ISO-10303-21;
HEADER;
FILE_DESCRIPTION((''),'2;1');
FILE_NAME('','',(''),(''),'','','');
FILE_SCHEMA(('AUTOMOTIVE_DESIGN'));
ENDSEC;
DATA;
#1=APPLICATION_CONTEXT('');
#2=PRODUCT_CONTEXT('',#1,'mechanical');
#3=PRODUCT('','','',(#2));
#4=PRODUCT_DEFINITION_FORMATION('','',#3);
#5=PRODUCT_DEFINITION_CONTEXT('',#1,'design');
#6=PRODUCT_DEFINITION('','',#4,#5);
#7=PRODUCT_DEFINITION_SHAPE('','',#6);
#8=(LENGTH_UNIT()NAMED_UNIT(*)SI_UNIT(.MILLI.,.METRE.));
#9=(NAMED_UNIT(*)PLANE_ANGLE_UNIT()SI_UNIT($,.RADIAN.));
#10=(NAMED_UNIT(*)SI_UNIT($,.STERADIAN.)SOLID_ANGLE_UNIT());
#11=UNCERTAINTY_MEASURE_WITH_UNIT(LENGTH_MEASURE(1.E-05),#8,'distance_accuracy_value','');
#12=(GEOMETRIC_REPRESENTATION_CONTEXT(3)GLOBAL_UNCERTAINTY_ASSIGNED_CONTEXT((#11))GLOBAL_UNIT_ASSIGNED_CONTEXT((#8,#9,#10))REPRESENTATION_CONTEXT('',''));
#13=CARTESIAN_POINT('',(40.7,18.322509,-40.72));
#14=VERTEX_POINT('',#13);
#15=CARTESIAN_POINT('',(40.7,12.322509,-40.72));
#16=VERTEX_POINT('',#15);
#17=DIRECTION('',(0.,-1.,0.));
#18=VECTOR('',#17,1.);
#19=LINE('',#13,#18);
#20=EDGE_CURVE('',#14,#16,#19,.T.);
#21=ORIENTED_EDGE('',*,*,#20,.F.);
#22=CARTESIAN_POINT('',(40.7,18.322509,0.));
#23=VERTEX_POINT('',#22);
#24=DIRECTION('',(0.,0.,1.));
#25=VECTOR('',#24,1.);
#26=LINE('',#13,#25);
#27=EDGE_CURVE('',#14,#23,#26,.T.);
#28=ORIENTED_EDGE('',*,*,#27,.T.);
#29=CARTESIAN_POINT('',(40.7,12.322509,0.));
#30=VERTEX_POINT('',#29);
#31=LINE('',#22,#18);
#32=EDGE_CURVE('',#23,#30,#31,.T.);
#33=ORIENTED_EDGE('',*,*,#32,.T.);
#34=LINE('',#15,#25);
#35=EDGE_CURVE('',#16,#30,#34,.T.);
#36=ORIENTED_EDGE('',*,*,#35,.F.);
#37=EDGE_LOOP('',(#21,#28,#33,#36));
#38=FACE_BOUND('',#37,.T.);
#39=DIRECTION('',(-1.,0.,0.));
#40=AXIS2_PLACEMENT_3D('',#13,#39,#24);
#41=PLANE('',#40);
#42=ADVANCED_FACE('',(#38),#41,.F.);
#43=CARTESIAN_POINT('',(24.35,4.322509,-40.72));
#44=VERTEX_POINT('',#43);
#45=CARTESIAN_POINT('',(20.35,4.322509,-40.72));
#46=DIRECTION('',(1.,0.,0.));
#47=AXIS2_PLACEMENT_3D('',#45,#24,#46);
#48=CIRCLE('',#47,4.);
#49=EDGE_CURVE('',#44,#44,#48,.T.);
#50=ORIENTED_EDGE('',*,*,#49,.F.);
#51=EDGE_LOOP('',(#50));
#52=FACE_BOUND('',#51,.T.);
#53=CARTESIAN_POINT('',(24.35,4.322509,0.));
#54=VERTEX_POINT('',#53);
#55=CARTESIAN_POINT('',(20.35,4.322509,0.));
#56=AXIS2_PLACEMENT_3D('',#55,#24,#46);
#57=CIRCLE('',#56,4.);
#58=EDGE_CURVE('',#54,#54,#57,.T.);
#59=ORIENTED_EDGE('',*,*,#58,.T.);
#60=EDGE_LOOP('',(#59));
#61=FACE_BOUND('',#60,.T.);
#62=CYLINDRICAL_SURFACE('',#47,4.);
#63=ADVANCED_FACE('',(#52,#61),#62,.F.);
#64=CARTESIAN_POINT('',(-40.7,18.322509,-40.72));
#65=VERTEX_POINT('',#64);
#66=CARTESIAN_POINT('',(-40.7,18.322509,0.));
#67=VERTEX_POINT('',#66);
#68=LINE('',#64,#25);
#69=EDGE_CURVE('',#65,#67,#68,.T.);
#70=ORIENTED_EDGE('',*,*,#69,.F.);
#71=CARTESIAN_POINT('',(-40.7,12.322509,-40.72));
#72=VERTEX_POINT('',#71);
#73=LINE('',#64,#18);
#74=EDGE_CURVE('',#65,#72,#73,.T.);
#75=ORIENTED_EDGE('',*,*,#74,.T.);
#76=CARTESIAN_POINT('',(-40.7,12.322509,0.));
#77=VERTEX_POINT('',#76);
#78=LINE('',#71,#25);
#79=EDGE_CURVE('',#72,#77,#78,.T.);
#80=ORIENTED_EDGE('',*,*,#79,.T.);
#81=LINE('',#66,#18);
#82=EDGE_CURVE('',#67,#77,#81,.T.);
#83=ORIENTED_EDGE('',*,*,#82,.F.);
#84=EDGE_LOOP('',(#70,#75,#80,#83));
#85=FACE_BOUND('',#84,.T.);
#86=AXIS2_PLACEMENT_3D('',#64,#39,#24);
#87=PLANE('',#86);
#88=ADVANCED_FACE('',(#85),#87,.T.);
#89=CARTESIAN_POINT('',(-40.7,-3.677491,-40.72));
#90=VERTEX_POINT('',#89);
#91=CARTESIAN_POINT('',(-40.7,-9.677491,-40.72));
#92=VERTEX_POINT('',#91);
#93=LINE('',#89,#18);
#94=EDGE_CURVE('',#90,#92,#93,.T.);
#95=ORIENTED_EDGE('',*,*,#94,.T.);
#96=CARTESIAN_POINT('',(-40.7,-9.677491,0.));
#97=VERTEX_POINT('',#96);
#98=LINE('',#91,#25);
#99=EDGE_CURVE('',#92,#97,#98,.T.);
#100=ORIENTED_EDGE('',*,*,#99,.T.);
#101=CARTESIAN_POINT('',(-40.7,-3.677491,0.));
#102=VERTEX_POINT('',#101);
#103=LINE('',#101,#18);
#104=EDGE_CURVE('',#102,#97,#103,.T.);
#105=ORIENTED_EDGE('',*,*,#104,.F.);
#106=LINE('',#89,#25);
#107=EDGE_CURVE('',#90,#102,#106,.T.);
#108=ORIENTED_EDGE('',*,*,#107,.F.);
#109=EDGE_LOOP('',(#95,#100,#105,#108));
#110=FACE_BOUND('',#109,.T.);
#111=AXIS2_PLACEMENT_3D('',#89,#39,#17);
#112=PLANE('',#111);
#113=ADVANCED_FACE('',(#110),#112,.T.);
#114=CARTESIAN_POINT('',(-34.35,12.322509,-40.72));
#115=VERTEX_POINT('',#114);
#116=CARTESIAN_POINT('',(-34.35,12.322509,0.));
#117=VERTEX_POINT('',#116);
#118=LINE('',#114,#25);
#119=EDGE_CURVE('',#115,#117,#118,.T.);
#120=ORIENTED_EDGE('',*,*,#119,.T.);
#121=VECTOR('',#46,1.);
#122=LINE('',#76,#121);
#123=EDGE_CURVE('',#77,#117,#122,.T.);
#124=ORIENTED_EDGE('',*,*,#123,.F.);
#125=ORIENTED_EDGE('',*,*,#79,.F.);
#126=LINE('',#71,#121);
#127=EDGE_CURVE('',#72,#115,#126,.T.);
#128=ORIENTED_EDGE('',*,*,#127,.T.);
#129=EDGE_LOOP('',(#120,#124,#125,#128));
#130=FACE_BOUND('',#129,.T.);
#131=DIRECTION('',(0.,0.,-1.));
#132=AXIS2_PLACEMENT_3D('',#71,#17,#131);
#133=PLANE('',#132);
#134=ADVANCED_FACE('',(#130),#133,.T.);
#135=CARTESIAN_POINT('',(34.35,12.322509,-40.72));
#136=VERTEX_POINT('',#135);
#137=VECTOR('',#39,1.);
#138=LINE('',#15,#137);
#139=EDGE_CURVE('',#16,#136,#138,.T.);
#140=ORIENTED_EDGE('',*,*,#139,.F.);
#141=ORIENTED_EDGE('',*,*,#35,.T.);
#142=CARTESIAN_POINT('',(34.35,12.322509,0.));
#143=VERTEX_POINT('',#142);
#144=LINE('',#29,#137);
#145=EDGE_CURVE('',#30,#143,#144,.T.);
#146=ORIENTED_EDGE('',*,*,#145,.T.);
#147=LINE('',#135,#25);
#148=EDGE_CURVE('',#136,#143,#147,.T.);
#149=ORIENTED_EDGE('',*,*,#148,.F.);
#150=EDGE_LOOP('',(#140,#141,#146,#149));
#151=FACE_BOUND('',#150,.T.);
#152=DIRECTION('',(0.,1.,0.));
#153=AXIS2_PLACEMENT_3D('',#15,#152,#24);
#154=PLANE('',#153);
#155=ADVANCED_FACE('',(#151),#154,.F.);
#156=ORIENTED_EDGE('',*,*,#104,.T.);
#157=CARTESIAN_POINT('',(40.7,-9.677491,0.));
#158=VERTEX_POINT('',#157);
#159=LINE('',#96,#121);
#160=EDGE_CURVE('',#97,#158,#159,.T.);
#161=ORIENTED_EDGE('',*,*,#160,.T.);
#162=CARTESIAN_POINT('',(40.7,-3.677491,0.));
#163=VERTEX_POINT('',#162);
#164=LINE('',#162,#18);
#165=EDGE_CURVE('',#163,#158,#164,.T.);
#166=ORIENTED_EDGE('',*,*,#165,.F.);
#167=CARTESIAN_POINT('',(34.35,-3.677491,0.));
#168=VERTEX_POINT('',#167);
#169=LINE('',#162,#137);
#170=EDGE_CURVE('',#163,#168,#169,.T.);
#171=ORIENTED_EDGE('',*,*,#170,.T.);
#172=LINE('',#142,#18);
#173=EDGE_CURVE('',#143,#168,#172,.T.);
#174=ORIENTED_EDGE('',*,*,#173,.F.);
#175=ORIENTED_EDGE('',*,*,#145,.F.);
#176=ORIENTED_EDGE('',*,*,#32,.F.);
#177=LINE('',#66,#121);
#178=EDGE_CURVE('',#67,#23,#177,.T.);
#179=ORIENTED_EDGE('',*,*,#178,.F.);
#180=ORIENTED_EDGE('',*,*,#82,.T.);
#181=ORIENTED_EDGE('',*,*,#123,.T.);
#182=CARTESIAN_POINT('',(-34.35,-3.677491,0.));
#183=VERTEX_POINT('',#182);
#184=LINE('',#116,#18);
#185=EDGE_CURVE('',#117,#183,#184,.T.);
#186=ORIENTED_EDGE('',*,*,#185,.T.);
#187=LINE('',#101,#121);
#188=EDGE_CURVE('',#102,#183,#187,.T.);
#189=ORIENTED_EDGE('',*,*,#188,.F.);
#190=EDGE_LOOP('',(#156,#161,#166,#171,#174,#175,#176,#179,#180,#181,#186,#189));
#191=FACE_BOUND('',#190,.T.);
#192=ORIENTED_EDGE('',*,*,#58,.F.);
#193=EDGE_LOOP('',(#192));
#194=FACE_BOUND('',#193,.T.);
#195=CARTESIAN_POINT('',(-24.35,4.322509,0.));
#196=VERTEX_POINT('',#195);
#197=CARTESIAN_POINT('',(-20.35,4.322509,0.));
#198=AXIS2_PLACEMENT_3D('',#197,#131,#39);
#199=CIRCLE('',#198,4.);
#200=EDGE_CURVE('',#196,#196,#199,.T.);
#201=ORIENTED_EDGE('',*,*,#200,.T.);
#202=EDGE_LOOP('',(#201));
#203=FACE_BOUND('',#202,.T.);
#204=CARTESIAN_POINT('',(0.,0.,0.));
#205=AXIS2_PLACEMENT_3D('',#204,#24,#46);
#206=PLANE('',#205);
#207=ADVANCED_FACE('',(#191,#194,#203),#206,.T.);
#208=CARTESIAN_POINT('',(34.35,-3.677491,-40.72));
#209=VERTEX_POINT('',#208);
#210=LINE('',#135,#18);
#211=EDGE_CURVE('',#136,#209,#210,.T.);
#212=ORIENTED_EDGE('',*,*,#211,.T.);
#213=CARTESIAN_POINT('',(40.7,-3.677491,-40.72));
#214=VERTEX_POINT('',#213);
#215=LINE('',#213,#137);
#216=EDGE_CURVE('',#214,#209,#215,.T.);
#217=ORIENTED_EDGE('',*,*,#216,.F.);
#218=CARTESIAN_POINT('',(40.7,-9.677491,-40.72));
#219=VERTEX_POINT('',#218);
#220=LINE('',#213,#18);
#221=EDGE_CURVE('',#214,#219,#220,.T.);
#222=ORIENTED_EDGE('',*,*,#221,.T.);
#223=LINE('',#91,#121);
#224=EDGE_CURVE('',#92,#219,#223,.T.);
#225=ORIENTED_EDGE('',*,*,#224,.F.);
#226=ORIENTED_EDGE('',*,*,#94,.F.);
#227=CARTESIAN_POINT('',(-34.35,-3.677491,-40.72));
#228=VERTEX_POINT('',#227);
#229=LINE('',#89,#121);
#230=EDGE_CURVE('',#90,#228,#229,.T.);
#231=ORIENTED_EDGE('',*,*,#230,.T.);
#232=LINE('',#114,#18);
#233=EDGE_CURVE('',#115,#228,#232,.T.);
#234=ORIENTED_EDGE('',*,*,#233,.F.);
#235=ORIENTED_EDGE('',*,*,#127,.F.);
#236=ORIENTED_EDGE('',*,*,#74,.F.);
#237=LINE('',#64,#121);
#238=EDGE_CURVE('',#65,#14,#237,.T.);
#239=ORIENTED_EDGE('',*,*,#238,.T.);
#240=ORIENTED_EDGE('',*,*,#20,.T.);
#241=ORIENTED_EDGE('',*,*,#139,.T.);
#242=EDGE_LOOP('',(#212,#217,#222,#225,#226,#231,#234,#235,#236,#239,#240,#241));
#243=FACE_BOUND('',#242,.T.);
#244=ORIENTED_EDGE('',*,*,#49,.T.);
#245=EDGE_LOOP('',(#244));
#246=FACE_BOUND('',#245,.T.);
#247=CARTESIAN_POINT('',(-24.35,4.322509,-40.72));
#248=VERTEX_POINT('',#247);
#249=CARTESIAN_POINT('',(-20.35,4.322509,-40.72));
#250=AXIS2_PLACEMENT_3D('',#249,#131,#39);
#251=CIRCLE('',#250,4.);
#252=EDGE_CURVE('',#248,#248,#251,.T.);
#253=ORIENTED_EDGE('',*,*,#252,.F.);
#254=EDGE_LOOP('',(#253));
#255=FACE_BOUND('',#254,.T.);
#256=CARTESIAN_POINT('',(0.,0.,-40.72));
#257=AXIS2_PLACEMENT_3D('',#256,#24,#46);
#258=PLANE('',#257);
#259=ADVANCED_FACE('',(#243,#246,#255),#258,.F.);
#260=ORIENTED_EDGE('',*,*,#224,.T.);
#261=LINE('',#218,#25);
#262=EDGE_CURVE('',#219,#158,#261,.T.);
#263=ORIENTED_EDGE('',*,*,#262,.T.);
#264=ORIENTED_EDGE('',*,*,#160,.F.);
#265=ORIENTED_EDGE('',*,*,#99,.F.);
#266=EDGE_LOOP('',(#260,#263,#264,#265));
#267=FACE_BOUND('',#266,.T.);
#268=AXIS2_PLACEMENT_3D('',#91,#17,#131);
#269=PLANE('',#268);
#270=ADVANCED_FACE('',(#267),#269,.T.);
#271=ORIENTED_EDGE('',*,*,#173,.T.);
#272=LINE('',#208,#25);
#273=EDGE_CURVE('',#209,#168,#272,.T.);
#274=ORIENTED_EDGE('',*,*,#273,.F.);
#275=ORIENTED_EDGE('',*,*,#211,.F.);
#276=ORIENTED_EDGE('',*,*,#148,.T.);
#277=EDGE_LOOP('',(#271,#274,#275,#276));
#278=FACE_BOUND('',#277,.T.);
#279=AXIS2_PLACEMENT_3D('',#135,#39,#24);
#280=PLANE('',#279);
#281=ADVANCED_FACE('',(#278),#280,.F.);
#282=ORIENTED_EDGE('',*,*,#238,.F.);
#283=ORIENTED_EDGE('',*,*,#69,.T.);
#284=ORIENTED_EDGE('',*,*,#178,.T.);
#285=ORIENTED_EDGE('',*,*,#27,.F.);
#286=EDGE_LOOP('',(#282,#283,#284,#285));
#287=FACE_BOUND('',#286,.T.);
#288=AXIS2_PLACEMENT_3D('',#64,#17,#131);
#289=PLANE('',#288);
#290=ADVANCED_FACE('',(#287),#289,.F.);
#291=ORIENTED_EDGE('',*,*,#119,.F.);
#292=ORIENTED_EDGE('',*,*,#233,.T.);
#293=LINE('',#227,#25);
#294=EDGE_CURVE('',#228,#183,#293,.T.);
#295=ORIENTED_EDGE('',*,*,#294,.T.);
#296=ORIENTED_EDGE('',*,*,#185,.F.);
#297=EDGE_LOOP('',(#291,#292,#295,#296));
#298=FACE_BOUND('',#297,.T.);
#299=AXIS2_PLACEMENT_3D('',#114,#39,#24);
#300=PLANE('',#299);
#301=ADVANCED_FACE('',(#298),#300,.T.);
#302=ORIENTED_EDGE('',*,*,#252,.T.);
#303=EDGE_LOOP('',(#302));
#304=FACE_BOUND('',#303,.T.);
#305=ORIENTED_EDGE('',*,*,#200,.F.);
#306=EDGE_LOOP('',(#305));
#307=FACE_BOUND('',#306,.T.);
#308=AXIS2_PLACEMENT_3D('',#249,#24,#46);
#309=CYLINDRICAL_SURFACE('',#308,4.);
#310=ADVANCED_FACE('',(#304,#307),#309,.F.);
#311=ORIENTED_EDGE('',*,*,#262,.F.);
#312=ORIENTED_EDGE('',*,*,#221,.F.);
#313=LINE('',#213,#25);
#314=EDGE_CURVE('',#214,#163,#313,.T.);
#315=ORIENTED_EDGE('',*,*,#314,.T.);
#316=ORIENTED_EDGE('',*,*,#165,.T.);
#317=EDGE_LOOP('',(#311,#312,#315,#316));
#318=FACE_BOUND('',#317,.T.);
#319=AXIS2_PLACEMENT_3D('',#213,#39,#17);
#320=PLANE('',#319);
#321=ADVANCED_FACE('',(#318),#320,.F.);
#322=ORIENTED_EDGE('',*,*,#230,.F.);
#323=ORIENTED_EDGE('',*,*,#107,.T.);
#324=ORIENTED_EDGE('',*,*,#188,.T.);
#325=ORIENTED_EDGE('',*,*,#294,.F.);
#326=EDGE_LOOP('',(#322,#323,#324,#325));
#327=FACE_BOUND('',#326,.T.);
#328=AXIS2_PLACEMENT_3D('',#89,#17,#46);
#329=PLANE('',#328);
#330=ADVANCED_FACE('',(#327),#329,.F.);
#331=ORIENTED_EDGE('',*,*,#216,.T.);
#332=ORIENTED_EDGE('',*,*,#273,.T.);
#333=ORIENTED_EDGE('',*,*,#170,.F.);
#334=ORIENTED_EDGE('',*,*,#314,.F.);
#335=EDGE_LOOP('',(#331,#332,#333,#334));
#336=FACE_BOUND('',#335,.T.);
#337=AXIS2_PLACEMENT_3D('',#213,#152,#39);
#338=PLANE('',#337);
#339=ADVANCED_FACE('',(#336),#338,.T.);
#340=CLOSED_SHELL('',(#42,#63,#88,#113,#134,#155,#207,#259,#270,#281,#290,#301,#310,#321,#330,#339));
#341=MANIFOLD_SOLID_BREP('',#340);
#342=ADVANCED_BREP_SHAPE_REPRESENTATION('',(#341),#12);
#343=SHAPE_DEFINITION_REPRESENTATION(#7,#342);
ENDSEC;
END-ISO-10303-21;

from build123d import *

# Parameters (mm, degrees)
SKETCH1_R           = 4
BOSS_EXTRUDE1_DEPTH = 40.72


with BuildPart() as part:
    # Sketch1 → Boss-Extrude1 (new body)
    with BuildSketch(Plane.XY):
        Polygon((40.7, -3.677490775), (40.7, -9.677490775), (-40.7, -9.677490775), (-40.7, -3.677490775), (-34.35, -3.677490775), (-34.35, 12.322509225), (-40.7, 12.322509225), (-40.7, 18.322509225), (40.7, 18.322509225), (40.7, 12.322509225), (34.35, 12.322509225), (34.35, -3.677490775), align=None)
        with Locations((20.35, 4.322509225)):
            Circle(SKETCH1_R, mode=Mode.SUBTRACT)
        with Locations(Location((-20.35, 4.322509225, 0), (0, 0, 180))):
            Circle(SKETCH1_R, mode=Mode.SUBTRACT)
    extrude(amount=-BOSS_EXTRUDE1_DEPTH)


solid = part.part
